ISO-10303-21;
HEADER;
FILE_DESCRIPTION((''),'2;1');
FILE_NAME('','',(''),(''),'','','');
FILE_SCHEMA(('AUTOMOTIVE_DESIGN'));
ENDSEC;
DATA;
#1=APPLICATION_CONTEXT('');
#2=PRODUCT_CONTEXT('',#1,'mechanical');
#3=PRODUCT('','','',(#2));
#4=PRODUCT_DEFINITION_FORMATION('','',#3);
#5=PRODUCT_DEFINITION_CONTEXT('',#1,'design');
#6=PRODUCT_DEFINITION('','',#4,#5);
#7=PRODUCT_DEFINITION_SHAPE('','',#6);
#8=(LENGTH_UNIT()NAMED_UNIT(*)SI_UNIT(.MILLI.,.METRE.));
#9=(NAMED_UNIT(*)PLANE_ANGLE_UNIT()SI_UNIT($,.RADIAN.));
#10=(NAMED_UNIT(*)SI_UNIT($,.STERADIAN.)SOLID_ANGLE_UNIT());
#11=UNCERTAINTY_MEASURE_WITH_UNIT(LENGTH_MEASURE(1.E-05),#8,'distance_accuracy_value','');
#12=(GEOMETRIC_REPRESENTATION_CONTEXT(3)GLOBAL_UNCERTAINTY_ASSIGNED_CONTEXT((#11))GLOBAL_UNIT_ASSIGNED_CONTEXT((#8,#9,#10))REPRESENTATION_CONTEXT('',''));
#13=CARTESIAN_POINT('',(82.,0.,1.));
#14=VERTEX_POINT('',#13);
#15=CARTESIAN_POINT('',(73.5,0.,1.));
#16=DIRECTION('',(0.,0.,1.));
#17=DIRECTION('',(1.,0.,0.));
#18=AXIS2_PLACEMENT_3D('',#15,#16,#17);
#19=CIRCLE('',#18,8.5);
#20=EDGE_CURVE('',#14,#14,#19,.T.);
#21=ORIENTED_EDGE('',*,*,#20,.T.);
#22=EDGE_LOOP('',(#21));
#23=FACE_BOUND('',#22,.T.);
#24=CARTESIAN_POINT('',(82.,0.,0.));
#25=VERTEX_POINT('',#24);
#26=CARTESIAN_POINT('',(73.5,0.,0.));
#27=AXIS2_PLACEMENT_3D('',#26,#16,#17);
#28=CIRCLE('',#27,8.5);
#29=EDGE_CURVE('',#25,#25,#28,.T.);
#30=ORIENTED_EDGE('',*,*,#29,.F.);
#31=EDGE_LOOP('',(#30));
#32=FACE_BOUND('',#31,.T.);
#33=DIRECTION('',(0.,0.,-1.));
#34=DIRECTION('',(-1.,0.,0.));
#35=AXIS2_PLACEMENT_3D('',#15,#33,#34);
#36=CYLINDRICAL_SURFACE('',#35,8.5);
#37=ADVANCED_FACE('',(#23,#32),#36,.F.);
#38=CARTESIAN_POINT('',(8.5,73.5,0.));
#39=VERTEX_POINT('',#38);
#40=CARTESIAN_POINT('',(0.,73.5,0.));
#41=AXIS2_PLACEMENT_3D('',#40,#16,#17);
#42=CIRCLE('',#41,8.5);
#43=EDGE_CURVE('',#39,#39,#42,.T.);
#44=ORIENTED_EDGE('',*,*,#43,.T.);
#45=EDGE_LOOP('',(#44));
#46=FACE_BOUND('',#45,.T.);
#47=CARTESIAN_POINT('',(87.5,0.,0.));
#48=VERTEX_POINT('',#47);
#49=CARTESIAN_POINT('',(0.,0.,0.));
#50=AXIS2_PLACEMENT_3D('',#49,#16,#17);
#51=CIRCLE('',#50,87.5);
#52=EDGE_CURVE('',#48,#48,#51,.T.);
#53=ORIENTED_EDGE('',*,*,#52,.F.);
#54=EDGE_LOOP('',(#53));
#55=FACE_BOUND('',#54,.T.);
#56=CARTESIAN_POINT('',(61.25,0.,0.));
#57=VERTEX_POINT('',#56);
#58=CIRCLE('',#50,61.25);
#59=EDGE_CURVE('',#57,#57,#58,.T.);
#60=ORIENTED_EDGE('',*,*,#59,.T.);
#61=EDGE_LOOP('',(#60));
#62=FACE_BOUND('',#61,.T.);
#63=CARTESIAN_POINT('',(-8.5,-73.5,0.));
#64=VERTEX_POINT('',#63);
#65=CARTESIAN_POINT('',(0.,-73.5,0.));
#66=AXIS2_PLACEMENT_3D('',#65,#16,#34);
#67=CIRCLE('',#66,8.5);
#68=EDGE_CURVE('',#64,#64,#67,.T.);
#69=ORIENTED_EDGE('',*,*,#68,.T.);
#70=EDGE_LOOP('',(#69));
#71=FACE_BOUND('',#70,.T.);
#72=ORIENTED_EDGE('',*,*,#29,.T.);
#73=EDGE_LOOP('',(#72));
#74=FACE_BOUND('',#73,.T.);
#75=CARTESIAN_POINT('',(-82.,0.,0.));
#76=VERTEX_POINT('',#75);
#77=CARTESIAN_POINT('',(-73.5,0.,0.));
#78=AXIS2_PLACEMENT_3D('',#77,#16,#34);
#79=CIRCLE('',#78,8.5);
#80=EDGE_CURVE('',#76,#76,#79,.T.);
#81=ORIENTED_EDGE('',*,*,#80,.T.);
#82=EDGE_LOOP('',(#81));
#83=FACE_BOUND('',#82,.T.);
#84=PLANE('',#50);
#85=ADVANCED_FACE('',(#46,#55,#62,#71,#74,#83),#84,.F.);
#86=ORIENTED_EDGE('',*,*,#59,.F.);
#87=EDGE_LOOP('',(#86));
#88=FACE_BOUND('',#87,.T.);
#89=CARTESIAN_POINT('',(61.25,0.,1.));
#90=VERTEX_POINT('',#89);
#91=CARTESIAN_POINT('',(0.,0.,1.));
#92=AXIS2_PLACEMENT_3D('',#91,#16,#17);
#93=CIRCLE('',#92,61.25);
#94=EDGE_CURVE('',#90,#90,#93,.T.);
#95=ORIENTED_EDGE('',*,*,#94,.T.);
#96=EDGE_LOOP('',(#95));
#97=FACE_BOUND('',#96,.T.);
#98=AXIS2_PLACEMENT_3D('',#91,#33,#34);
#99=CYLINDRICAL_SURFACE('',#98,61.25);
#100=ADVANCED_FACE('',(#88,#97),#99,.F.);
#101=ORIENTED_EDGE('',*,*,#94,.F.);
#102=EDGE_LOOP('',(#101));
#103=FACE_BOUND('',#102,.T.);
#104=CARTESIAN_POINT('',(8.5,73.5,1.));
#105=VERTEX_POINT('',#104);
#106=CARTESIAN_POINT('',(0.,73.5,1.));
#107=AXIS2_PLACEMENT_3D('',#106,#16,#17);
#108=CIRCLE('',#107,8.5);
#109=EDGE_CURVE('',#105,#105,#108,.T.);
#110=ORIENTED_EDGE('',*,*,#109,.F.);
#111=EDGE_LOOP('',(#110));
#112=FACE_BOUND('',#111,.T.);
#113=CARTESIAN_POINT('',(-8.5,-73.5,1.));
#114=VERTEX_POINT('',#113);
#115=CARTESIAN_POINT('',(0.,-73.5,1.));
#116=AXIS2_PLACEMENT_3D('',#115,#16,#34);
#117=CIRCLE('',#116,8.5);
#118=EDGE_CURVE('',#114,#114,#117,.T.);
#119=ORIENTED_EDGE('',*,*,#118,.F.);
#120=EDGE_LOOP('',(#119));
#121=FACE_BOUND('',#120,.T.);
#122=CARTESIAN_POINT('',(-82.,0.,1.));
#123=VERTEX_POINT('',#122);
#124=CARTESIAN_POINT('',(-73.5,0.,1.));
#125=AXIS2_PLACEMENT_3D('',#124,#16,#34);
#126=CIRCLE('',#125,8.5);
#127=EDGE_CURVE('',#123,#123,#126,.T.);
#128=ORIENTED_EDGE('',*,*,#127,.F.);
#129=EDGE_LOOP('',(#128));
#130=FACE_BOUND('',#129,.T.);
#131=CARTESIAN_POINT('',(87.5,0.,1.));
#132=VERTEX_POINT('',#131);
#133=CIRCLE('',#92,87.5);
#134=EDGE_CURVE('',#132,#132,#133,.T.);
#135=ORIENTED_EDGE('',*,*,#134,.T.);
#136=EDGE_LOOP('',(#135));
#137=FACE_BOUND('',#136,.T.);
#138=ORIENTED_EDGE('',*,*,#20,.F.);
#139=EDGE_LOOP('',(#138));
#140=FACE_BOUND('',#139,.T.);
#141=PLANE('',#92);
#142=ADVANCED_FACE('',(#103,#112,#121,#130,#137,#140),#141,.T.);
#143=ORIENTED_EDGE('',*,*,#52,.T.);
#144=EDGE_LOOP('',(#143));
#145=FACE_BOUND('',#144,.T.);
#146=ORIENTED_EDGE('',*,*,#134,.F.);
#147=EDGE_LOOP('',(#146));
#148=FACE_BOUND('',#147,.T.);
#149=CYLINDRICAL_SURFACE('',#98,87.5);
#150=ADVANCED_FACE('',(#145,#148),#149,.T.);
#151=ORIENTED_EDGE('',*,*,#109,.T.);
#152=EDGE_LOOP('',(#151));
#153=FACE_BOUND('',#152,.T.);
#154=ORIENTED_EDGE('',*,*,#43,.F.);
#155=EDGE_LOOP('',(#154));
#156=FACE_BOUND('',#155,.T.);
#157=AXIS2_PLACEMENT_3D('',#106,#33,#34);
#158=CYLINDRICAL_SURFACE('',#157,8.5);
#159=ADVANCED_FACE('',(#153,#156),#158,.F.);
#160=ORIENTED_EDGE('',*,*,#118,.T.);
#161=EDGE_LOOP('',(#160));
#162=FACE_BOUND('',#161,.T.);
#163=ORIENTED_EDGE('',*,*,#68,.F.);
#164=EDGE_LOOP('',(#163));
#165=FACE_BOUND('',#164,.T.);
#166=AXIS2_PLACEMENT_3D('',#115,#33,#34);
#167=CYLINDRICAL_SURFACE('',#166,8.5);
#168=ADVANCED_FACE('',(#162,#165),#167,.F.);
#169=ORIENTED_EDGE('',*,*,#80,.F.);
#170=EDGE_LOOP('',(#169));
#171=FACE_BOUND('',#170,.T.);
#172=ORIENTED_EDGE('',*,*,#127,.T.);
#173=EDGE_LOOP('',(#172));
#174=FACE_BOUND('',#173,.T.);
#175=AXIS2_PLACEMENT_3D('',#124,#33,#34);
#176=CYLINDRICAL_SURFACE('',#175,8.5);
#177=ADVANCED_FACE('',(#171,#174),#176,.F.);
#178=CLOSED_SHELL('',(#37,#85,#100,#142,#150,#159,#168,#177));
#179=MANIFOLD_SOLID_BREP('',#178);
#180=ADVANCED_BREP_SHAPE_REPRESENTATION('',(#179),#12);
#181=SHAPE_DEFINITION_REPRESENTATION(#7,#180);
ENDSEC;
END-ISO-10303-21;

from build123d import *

# Parameters (mm, degrees)
SKETCH1_R           = 87.5
SKETCH1_R_2         = 8.5
SKETCH1_R_3         = 61.25
BOSS_EXTRUDE1_DEPTH = 1


with BuildPart() as part:
    # Sketch1 → Boss-Extrude1 (new body)
    with BuildSketch(Plane.XY):
        Circle(SKETCH1_R)
        with Locations((0, 73.5)):
            Circle(SKETCH1_R_2, mode=Mode.SUBTRACT)
        with Locations((73.5, 0)):
            Circle(SKETCH1_R_2, mode=Mode.SUBTRACT)
        with Locations(Location((-73.5, 0, 0), (0, 0, 180))):
            Circle(SKETCH1_R_2, mode=Mode.SUBTRACT)
        with Locations(Location((0, -73.5, 0), (0, 0, 180))):
            Circle(SKETCH1_R_2, mode=Mode.SUBTRACT)
        Circle(SKETCH1_R_3, mode=Mode.SUBTRACT)
    extrude(amount=BOSS_EXTRUDE1_DEPTH)


solid = part.part
